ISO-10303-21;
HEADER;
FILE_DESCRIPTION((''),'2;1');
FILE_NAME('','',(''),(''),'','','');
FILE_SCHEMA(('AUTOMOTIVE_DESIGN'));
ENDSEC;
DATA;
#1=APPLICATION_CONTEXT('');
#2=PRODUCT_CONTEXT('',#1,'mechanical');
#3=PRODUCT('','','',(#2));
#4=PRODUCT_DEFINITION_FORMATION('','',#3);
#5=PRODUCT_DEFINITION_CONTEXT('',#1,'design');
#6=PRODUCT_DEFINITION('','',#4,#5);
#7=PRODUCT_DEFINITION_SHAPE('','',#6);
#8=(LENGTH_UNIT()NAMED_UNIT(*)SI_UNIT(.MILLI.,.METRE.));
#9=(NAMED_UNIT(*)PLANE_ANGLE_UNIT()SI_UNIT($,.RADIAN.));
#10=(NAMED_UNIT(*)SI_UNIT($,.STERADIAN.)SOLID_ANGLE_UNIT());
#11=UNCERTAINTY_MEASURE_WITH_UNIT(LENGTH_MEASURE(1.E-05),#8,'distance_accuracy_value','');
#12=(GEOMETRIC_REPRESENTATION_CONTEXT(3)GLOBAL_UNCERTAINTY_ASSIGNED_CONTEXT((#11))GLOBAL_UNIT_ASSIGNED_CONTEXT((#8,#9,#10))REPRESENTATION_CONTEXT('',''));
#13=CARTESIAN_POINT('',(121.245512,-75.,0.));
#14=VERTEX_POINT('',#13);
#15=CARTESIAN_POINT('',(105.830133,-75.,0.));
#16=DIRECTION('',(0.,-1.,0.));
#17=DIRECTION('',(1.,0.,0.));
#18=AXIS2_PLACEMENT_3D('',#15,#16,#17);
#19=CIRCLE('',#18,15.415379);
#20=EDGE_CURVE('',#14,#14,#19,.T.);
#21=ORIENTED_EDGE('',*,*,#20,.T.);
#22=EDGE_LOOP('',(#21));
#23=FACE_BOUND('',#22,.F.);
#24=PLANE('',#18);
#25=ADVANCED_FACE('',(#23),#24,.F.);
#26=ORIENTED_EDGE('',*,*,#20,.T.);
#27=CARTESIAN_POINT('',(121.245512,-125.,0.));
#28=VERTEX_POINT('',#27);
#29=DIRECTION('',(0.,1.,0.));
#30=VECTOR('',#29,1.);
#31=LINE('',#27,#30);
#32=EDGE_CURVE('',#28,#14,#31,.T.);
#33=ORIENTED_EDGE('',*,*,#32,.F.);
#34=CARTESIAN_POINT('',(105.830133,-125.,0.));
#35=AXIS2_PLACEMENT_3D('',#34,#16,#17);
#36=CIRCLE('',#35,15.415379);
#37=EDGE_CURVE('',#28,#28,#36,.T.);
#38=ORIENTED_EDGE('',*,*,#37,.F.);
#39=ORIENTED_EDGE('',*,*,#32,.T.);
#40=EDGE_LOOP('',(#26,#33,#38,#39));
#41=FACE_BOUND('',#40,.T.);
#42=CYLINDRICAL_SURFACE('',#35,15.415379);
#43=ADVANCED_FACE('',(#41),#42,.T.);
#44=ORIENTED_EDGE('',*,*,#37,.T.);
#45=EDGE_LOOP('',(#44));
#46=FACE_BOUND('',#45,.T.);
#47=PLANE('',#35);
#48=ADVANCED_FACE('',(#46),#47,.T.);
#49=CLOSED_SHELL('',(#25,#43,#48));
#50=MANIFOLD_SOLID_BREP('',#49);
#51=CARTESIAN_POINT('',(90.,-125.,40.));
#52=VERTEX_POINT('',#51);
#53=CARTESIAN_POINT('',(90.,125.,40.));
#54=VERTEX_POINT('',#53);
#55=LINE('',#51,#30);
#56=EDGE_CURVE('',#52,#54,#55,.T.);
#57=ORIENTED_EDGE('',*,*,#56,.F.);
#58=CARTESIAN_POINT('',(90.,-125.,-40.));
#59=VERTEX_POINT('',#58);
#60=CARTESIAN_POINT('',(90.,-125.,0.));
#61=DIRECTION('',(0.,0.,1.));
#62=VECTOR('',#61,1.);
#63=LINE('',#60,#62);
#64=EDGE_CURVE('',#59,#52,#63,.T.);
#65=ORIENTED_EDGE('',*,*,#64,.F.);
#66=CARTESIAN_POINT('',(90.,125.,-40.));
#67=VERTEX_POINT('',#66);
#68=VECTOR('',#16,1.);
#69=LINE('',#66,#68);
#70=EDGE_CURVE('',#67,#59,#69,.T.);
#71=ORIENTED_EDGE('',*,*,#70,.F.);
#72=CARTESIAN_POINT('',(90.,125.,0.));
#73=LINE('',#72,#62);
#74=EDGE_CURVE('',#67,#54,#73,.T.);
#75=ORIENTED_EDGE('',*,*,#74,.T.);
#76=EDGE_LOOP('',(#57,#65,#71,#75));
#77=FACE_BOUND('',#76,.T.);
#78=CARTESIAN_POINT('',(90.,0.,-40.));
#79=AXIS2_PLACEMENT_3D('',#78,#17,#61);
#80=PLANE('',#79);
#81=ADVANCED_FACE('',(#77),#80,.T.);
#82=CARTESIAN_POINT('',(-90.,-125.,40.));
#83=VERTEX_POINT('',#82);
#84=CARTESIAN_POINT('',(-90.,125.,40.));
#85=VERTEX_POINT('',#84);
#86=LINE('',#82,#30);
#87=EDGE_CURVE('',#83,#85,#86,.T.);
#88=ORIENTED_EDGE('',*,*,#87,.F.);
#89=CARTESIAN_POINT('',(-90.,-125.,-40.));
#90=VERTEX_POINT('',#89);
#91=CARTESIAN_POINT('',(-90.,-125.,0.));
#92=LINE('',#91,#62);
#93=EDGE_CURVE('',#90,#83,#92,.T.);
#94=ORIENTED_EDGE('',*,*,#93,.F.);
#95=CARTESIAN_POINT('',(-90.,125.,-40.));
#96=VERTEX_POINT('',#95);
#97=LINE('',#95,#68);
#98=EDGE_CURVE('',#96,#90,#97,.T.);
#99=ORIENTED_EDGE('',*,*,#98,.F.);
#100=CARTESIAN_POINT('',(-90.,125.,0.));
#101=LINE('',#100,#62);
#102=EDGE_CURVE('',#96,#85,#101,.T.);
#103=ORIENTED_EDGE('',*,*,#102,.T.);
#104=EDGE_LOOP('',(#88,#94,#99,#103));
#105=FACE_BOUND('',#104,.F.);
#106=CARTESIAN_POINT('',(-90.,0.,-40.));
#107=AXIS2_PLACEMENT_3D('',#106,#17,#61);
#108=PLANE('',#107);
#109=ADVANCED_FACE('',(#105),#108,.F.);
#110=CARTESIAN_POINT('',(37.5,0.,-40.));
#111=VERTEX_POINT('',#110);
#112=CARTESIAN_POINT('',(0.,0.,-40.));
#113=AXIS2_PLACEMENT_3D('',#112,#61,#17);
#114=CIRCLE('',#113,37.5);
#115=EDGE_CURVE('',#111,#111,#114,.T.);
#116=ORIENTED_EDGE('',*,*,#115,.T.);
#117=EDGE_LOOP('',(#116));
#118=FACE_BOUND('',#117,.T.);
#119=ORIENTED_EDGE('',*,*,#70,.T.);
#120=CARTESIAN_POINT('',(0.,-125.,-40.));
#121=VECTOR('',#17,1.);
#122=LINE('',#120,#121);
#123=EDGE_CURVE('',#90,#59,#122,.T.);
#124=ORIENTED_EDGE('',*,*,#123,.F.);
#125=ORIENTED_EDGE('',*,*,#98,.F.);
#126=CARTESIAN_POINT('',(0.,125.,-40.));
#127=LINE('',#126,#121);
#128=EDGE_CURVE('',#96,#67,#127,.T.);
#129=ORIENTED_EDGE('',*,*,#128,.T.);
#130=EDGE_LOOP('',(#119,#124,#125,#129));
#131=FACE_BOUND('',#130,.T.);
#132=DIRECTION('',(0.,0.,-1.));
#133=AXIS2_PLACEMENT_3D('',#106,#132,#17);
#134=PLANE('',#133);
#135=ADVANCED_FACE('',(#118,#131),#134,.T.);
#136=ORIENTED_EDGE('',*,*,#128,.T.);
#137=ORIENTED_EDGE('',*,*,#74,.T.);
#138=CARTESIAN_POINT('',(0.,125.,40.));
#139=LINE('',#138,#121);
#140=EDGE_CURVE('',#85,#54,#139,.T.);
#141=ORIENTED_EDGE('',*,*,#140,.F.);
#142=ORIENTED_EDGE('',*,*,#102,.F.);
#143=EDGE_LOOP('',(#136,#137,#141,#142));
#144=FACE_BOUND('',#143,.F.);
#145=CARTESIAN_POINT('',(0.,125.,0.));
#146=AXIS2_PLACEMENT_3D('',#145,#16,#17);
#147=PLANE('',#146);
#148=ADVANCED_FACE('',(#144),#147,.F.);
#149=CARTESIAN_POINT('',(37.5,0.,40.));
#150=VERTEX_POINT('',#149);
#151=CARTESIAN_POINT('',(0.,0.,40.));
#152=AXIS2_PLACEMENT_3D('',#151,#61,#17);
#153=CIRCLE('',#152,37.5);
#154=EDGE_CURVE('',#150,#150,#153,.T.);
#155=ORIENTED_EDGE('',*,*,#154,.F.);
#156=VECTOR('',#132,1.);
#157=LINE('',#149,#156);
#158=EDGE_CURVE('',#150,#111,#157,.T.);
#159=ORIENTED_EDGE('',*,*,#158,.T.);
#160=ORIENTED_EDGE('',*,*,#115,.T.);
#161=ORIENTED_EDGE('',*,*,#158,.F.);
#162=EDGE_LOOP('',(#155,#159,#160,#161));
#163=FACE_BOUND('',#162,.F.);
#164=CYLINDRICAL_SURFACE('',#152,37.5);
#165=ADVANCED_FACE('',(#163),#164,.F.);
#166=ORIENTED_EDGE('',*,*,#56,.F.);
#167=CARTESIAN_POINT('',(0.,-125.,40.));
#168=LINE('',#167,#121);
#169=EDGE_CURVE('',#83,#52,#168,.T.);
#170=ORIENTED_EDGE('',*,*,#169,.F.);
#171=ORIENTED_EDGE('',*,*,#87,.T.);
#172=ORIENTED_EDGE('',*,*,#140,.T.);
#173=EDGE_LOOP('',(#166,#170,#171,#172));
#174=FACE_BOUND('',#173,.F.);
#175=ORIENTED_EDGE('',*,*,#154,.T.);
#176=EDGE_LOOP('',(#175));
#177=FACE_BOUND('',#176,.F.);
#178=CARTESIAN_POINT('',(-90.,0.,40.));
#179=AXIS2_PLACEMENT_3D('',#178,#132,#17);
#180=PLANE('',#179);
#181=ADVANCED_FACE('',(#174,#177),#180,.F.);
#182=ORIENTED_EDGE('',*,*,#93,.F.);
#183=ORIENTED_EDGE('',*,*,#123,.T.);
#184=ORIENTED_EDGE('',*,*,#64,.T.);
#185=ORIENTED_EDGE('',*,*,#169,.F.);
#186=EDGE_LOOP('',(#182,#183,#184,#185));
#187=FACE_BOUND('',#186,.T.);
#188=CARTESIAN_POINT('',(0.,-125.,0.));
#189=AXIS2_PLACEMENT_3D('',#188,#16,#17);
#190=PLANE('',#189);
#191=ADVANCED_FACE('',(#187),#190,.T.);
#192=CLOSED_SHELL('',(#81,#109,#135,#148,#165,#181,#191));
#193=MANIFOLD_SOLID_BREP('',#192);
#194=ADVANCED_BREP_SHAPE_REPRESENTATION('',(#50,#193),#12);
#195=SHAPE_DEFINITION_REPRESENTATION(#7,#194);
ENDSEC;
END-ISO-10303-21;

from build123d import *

# Parameters (mm, degrees)
F0_W     = 180
F0_H     = 80
F1_DEPTH = 125
F2_R     = 37.5
F3_DEPTH = 100
F5_R     = 15.415379
F6_DEPTH = 50


with BuildPart() as f1:
    # F0 (on Front) → F1 (new body, symmetric)
    with BuildSketch(Plane.XZ):
        Rectangle(F0_W, F0_H)
    extrude(amount=F1_DEPTH, both=True)

    # F2 (on face) → F3 (cut)
    with BuildSketch(Plane.XY.offset(40)):
        Circle(F2_R)
    extrude(amount=-F3_DEPTH, mode=Mode.SUBTRACT)


with BuildPart() as f6:
    # F5 (on offset) → F6 (new body)
    with BuildSketch(Plane.XZ.offset(125)):
        with Locations((105.830133, 0)):
            Circle(F5_R)
    extrude(amount=-F6_DEPTH)


solid = Compound([f1.part, f6.part])
